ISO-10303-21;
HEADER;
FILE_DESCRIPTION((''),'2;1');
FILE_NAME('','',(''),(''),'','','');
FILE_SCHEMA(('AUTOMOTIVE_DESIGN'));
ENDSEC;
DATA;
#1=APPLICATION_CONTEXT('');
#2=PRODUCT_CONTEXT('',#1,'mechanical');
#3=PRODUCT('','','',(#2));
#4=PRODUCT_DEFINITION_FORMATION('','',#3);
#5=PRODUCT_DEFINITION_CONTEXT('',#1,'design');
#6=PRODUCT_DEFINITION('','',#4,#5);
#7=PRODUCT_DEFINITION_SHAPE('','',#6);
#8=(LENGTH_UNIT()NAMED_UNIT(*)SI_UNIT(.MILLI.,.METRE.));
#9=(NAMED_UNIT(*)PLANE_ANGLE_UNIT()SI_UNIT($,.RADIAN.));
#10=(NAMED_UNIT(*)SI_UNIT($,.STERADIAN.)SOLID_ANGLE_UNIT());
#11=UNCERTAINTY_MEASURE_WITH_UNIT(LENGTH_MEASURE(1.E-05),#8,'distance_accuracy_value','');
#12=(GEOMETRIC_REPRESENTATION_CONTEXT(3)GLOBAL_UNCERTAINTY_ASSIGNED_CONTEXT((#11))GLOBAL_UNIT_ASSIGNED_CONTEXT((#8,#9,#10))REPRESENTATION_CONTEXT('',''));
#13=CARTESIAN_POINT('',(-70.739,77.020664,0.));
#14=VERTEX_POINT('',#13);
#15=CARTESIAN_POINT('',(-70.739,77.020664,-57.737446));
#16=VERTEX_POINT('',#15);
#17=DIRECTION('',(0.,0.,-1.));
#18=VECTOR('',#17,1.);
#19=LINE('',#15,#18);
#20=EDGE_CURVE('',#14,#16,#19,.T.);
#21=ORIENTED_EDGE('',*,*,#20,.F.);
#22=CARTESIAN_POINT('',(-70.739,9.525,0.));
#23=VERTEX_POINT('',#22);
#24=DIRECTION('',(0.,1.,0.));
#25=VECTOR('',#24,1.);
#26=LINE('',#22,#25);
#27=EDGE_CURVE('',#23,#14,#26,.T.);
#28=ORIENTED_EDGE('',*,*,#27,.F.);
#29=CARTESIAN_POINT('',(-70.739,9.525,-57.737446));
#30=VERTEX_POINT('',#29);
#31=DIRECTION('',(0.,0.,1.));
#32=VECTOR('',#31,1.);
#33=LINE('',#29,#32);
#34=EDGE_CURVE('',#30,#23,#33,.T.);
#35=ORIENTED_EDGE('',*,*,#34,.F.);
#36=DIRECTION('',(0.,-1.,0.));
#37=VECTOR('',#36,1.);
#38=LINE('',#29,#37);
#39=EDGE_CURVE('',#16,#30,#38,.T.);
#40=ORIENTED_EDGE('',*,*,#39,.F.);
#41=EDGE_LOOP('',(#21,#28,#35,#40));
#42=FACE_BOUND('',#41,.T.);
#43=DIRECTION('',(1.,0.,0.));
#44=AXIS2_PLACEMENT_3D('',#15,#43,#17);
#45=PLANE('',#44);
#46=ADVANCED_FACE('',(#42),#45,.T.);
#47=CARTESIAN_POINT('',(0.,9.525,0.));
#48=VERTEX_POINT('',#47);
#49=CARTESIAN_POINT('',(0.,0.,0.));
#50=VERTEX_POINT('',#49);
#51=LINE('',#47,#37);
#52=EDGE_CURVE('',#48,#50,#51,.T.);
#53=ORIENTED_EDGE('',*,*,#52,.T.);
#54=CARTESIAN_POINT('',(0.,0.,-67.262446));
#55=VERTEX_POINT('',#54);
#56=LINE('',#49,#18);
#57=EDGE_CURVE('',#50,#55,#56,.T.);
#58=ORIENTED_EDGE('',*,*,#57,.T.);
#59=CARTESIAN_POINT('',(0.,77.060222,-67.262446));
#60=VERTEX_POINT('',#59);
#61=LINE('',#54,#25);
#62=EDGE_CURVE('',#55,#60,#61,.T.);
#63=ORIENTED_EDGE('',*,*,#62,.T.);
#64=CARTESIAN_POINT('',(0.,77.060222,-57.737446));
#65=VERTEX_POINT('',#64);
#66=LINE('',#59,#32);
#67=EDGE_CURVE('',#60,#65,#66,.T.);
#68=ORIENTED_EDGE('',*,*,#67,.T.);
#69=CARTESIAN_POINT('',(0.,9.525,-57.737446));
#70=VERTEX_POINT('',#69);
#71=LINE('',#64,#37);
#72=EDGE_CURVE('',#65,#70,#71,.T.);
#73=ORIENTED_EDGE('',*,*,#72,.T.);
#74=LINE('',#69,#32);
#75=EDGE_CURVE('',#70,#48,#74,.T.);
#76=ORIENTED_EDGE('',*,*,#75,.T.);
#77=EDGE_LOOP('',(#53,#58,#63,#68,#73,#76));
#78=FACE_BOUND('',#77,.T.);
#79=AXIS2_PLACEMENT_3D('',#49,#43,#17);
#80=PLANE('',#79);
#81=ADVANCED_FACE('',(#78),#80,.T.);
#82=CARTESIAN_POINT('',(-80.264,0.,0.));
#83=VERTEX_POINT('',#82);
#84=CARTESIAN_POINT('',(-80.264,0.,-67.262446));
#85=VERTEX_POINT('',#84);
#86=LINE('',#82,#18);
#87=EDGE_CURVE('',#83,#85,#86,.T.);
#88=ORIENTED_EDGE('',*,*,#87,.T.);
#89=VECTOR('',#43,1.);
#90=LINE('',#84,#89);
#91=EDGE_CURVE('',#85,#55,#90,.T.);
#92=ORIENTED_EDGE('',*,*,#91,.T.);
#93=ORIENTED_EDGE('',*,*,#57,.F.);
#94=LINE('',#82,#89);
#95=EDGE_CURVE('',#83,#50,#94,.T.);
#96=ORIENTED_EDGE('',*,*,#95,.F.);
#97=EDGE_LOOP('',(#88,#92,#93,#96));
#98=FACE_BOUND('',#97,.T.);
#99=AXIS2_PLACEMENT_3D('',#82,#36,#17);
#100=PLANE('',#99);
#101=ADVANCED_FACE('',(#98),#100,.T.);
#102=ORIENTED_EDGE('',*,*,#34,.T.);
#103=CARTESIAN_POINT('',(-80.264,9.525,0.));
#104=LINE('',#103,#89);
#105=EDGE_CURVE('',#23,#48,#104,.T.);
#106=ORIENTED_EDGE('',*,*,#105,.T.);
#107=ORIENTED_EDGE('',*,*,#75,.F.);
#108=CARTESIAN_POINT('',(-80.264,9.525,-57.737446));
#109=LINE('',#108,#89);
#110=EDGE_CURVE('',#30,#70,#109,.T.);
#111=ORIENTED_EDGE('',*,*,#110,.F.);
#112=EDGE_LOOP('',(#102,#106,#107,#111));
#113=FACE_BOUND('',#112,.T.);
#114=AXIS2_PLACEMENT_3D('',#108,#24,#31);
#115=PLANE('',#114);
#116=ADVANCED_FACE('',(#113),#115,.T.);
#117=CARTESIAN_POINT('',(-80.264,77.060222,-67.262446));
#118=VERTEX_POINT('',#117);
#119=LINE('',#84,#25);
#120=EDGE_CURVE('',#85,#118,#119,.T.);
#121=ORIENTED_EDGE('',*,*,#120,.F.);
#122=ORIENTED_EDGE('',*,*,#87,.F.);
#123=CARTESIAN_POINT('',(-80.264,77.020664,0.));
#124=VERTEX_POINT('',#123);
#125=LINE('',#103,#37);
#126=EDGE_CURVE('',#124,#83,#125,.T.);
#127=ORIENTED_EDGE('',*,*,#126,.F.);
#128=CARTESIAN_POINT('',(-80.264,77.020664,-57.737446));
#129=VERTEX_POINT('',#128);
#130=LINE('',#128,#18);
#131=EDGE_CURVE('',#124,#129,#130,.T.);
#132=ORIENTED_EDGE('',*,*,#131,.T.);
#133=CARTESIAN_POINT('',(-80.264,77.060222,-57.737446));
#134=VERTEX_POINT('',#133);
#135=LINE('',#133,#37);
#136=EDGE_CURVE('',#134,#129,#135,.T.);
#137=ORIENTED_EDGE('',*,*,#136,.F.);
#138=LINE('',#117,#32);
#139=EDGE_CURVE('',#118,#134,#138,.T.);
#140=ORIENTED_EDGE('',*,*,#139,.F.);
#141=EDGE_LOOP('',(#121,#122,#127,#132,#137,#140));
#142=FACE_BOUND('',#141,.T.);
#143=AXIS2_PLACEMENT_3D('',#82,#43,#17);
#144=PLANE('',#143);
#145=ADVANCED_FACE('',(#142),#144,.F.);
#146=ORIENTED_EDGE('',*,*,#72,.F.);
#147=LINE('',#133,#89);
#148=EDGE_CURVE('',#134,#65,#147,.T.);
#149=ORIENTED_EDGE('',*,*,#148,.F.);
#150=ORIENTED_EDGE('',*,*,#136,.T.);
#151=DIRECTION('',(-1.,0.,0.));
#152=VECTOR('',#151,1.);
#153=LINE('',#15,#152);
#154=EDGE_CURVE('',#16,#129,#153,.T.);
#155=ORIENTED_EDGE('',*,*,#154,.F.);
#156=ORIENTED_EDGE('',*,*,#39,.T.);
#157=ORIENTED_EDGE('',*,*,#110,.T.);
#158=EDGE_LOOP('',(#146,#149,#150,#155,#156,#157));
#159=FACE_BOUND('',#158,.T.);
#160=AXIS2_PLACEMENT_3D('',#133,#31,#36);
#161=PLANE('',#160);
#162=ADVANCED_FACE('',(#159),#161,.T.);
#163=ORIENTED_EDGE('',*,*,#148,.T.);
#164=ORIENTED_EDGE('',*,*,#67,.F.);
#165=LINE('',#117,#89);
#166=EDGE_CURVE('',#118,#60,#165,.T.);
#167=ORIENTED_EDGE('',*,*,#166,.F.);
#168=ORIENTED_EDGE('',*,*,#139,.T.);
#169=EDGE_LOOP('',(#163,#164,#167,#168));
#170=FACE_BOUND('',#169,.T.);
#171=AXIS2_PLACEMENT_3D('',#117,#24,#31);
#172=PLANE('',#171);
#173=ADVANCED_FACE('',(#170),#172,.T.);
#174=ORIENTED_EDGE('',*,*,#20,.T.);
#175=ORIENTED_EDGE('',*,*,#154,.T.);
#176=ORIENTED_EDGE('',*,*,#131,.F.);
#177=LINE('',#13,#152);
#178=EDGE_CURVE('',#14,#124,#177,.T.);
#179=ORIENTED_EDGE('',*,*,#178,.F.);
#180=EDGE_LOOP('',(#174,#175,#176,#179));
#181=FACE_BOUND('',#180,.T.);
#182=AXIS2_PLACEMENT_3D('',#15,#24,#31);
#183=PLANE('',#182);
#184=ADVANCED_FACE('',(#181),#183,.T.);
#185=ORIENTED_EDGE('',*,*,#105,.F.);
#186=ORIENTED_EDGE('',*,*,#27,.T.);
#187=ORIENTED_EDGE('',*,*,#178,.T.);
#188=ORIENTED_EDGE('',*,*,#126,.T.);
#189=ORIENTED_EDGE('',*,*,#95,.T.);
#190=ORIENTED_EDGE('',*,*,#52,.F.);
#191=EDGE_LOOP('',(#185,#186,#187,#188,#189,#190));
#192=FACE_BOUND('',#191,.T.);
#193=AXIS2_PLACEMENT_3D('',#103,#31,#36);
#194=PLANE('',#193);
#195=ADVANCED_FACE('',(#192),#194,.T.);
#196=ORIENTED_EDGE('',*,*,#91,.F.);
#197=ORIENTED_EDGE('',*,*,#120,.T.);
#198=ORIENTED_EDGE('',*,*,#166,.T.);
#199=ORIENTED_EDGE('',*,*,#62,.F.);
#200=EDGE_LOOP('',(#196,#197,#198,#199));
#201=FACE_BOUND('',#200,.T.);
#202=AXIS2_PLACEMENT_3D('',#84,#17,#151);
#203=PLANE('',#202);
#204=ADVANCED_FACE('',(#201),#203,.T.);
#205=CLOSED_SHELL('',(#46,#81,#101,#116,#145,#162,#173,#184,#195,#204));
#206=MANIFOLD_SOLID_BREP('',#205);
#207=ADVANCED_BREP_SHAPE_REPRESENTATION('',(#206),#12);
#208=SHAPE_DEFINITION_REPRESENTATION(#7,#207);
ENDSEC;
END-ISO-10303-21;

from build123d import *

# Parameters (mm, degrees)
EXTRUDE1_DEPTH = 80.264
SKETCH2_W      = 57.737446173
SKETCH2_H      = 67.495663922
EXTRUDE2_DEPTH = 9.525


with BuildPart() as part:
    # Sketch1 → Extrude1 (new body)
    with BuildSketch(Plane(origin=(0, 0, 0), x_dir=(0, 0, -1), z_dir=(1, 0, 0))):
        Polygon((0, 0), (67.262446173, 0), (67.262446173, 77.060221675), (57.737446173, 77.060221675), (57.737446173, 9.525), (0, 9.525), align=None)
    extrude(amount=-EXTRUDE1_DEPTH)

    # Sketch2 → Extrude2 (add)
    with BuildSketch(Plane.ZY.offset(80.264)):
        with Locations((-28.868723087, 43.272831961)):
            Rectangle(SKETCH2_W, SKETCH2_H)
    extrude(amount=-EXTRUDE2_DEPTH)


solid = part.part
